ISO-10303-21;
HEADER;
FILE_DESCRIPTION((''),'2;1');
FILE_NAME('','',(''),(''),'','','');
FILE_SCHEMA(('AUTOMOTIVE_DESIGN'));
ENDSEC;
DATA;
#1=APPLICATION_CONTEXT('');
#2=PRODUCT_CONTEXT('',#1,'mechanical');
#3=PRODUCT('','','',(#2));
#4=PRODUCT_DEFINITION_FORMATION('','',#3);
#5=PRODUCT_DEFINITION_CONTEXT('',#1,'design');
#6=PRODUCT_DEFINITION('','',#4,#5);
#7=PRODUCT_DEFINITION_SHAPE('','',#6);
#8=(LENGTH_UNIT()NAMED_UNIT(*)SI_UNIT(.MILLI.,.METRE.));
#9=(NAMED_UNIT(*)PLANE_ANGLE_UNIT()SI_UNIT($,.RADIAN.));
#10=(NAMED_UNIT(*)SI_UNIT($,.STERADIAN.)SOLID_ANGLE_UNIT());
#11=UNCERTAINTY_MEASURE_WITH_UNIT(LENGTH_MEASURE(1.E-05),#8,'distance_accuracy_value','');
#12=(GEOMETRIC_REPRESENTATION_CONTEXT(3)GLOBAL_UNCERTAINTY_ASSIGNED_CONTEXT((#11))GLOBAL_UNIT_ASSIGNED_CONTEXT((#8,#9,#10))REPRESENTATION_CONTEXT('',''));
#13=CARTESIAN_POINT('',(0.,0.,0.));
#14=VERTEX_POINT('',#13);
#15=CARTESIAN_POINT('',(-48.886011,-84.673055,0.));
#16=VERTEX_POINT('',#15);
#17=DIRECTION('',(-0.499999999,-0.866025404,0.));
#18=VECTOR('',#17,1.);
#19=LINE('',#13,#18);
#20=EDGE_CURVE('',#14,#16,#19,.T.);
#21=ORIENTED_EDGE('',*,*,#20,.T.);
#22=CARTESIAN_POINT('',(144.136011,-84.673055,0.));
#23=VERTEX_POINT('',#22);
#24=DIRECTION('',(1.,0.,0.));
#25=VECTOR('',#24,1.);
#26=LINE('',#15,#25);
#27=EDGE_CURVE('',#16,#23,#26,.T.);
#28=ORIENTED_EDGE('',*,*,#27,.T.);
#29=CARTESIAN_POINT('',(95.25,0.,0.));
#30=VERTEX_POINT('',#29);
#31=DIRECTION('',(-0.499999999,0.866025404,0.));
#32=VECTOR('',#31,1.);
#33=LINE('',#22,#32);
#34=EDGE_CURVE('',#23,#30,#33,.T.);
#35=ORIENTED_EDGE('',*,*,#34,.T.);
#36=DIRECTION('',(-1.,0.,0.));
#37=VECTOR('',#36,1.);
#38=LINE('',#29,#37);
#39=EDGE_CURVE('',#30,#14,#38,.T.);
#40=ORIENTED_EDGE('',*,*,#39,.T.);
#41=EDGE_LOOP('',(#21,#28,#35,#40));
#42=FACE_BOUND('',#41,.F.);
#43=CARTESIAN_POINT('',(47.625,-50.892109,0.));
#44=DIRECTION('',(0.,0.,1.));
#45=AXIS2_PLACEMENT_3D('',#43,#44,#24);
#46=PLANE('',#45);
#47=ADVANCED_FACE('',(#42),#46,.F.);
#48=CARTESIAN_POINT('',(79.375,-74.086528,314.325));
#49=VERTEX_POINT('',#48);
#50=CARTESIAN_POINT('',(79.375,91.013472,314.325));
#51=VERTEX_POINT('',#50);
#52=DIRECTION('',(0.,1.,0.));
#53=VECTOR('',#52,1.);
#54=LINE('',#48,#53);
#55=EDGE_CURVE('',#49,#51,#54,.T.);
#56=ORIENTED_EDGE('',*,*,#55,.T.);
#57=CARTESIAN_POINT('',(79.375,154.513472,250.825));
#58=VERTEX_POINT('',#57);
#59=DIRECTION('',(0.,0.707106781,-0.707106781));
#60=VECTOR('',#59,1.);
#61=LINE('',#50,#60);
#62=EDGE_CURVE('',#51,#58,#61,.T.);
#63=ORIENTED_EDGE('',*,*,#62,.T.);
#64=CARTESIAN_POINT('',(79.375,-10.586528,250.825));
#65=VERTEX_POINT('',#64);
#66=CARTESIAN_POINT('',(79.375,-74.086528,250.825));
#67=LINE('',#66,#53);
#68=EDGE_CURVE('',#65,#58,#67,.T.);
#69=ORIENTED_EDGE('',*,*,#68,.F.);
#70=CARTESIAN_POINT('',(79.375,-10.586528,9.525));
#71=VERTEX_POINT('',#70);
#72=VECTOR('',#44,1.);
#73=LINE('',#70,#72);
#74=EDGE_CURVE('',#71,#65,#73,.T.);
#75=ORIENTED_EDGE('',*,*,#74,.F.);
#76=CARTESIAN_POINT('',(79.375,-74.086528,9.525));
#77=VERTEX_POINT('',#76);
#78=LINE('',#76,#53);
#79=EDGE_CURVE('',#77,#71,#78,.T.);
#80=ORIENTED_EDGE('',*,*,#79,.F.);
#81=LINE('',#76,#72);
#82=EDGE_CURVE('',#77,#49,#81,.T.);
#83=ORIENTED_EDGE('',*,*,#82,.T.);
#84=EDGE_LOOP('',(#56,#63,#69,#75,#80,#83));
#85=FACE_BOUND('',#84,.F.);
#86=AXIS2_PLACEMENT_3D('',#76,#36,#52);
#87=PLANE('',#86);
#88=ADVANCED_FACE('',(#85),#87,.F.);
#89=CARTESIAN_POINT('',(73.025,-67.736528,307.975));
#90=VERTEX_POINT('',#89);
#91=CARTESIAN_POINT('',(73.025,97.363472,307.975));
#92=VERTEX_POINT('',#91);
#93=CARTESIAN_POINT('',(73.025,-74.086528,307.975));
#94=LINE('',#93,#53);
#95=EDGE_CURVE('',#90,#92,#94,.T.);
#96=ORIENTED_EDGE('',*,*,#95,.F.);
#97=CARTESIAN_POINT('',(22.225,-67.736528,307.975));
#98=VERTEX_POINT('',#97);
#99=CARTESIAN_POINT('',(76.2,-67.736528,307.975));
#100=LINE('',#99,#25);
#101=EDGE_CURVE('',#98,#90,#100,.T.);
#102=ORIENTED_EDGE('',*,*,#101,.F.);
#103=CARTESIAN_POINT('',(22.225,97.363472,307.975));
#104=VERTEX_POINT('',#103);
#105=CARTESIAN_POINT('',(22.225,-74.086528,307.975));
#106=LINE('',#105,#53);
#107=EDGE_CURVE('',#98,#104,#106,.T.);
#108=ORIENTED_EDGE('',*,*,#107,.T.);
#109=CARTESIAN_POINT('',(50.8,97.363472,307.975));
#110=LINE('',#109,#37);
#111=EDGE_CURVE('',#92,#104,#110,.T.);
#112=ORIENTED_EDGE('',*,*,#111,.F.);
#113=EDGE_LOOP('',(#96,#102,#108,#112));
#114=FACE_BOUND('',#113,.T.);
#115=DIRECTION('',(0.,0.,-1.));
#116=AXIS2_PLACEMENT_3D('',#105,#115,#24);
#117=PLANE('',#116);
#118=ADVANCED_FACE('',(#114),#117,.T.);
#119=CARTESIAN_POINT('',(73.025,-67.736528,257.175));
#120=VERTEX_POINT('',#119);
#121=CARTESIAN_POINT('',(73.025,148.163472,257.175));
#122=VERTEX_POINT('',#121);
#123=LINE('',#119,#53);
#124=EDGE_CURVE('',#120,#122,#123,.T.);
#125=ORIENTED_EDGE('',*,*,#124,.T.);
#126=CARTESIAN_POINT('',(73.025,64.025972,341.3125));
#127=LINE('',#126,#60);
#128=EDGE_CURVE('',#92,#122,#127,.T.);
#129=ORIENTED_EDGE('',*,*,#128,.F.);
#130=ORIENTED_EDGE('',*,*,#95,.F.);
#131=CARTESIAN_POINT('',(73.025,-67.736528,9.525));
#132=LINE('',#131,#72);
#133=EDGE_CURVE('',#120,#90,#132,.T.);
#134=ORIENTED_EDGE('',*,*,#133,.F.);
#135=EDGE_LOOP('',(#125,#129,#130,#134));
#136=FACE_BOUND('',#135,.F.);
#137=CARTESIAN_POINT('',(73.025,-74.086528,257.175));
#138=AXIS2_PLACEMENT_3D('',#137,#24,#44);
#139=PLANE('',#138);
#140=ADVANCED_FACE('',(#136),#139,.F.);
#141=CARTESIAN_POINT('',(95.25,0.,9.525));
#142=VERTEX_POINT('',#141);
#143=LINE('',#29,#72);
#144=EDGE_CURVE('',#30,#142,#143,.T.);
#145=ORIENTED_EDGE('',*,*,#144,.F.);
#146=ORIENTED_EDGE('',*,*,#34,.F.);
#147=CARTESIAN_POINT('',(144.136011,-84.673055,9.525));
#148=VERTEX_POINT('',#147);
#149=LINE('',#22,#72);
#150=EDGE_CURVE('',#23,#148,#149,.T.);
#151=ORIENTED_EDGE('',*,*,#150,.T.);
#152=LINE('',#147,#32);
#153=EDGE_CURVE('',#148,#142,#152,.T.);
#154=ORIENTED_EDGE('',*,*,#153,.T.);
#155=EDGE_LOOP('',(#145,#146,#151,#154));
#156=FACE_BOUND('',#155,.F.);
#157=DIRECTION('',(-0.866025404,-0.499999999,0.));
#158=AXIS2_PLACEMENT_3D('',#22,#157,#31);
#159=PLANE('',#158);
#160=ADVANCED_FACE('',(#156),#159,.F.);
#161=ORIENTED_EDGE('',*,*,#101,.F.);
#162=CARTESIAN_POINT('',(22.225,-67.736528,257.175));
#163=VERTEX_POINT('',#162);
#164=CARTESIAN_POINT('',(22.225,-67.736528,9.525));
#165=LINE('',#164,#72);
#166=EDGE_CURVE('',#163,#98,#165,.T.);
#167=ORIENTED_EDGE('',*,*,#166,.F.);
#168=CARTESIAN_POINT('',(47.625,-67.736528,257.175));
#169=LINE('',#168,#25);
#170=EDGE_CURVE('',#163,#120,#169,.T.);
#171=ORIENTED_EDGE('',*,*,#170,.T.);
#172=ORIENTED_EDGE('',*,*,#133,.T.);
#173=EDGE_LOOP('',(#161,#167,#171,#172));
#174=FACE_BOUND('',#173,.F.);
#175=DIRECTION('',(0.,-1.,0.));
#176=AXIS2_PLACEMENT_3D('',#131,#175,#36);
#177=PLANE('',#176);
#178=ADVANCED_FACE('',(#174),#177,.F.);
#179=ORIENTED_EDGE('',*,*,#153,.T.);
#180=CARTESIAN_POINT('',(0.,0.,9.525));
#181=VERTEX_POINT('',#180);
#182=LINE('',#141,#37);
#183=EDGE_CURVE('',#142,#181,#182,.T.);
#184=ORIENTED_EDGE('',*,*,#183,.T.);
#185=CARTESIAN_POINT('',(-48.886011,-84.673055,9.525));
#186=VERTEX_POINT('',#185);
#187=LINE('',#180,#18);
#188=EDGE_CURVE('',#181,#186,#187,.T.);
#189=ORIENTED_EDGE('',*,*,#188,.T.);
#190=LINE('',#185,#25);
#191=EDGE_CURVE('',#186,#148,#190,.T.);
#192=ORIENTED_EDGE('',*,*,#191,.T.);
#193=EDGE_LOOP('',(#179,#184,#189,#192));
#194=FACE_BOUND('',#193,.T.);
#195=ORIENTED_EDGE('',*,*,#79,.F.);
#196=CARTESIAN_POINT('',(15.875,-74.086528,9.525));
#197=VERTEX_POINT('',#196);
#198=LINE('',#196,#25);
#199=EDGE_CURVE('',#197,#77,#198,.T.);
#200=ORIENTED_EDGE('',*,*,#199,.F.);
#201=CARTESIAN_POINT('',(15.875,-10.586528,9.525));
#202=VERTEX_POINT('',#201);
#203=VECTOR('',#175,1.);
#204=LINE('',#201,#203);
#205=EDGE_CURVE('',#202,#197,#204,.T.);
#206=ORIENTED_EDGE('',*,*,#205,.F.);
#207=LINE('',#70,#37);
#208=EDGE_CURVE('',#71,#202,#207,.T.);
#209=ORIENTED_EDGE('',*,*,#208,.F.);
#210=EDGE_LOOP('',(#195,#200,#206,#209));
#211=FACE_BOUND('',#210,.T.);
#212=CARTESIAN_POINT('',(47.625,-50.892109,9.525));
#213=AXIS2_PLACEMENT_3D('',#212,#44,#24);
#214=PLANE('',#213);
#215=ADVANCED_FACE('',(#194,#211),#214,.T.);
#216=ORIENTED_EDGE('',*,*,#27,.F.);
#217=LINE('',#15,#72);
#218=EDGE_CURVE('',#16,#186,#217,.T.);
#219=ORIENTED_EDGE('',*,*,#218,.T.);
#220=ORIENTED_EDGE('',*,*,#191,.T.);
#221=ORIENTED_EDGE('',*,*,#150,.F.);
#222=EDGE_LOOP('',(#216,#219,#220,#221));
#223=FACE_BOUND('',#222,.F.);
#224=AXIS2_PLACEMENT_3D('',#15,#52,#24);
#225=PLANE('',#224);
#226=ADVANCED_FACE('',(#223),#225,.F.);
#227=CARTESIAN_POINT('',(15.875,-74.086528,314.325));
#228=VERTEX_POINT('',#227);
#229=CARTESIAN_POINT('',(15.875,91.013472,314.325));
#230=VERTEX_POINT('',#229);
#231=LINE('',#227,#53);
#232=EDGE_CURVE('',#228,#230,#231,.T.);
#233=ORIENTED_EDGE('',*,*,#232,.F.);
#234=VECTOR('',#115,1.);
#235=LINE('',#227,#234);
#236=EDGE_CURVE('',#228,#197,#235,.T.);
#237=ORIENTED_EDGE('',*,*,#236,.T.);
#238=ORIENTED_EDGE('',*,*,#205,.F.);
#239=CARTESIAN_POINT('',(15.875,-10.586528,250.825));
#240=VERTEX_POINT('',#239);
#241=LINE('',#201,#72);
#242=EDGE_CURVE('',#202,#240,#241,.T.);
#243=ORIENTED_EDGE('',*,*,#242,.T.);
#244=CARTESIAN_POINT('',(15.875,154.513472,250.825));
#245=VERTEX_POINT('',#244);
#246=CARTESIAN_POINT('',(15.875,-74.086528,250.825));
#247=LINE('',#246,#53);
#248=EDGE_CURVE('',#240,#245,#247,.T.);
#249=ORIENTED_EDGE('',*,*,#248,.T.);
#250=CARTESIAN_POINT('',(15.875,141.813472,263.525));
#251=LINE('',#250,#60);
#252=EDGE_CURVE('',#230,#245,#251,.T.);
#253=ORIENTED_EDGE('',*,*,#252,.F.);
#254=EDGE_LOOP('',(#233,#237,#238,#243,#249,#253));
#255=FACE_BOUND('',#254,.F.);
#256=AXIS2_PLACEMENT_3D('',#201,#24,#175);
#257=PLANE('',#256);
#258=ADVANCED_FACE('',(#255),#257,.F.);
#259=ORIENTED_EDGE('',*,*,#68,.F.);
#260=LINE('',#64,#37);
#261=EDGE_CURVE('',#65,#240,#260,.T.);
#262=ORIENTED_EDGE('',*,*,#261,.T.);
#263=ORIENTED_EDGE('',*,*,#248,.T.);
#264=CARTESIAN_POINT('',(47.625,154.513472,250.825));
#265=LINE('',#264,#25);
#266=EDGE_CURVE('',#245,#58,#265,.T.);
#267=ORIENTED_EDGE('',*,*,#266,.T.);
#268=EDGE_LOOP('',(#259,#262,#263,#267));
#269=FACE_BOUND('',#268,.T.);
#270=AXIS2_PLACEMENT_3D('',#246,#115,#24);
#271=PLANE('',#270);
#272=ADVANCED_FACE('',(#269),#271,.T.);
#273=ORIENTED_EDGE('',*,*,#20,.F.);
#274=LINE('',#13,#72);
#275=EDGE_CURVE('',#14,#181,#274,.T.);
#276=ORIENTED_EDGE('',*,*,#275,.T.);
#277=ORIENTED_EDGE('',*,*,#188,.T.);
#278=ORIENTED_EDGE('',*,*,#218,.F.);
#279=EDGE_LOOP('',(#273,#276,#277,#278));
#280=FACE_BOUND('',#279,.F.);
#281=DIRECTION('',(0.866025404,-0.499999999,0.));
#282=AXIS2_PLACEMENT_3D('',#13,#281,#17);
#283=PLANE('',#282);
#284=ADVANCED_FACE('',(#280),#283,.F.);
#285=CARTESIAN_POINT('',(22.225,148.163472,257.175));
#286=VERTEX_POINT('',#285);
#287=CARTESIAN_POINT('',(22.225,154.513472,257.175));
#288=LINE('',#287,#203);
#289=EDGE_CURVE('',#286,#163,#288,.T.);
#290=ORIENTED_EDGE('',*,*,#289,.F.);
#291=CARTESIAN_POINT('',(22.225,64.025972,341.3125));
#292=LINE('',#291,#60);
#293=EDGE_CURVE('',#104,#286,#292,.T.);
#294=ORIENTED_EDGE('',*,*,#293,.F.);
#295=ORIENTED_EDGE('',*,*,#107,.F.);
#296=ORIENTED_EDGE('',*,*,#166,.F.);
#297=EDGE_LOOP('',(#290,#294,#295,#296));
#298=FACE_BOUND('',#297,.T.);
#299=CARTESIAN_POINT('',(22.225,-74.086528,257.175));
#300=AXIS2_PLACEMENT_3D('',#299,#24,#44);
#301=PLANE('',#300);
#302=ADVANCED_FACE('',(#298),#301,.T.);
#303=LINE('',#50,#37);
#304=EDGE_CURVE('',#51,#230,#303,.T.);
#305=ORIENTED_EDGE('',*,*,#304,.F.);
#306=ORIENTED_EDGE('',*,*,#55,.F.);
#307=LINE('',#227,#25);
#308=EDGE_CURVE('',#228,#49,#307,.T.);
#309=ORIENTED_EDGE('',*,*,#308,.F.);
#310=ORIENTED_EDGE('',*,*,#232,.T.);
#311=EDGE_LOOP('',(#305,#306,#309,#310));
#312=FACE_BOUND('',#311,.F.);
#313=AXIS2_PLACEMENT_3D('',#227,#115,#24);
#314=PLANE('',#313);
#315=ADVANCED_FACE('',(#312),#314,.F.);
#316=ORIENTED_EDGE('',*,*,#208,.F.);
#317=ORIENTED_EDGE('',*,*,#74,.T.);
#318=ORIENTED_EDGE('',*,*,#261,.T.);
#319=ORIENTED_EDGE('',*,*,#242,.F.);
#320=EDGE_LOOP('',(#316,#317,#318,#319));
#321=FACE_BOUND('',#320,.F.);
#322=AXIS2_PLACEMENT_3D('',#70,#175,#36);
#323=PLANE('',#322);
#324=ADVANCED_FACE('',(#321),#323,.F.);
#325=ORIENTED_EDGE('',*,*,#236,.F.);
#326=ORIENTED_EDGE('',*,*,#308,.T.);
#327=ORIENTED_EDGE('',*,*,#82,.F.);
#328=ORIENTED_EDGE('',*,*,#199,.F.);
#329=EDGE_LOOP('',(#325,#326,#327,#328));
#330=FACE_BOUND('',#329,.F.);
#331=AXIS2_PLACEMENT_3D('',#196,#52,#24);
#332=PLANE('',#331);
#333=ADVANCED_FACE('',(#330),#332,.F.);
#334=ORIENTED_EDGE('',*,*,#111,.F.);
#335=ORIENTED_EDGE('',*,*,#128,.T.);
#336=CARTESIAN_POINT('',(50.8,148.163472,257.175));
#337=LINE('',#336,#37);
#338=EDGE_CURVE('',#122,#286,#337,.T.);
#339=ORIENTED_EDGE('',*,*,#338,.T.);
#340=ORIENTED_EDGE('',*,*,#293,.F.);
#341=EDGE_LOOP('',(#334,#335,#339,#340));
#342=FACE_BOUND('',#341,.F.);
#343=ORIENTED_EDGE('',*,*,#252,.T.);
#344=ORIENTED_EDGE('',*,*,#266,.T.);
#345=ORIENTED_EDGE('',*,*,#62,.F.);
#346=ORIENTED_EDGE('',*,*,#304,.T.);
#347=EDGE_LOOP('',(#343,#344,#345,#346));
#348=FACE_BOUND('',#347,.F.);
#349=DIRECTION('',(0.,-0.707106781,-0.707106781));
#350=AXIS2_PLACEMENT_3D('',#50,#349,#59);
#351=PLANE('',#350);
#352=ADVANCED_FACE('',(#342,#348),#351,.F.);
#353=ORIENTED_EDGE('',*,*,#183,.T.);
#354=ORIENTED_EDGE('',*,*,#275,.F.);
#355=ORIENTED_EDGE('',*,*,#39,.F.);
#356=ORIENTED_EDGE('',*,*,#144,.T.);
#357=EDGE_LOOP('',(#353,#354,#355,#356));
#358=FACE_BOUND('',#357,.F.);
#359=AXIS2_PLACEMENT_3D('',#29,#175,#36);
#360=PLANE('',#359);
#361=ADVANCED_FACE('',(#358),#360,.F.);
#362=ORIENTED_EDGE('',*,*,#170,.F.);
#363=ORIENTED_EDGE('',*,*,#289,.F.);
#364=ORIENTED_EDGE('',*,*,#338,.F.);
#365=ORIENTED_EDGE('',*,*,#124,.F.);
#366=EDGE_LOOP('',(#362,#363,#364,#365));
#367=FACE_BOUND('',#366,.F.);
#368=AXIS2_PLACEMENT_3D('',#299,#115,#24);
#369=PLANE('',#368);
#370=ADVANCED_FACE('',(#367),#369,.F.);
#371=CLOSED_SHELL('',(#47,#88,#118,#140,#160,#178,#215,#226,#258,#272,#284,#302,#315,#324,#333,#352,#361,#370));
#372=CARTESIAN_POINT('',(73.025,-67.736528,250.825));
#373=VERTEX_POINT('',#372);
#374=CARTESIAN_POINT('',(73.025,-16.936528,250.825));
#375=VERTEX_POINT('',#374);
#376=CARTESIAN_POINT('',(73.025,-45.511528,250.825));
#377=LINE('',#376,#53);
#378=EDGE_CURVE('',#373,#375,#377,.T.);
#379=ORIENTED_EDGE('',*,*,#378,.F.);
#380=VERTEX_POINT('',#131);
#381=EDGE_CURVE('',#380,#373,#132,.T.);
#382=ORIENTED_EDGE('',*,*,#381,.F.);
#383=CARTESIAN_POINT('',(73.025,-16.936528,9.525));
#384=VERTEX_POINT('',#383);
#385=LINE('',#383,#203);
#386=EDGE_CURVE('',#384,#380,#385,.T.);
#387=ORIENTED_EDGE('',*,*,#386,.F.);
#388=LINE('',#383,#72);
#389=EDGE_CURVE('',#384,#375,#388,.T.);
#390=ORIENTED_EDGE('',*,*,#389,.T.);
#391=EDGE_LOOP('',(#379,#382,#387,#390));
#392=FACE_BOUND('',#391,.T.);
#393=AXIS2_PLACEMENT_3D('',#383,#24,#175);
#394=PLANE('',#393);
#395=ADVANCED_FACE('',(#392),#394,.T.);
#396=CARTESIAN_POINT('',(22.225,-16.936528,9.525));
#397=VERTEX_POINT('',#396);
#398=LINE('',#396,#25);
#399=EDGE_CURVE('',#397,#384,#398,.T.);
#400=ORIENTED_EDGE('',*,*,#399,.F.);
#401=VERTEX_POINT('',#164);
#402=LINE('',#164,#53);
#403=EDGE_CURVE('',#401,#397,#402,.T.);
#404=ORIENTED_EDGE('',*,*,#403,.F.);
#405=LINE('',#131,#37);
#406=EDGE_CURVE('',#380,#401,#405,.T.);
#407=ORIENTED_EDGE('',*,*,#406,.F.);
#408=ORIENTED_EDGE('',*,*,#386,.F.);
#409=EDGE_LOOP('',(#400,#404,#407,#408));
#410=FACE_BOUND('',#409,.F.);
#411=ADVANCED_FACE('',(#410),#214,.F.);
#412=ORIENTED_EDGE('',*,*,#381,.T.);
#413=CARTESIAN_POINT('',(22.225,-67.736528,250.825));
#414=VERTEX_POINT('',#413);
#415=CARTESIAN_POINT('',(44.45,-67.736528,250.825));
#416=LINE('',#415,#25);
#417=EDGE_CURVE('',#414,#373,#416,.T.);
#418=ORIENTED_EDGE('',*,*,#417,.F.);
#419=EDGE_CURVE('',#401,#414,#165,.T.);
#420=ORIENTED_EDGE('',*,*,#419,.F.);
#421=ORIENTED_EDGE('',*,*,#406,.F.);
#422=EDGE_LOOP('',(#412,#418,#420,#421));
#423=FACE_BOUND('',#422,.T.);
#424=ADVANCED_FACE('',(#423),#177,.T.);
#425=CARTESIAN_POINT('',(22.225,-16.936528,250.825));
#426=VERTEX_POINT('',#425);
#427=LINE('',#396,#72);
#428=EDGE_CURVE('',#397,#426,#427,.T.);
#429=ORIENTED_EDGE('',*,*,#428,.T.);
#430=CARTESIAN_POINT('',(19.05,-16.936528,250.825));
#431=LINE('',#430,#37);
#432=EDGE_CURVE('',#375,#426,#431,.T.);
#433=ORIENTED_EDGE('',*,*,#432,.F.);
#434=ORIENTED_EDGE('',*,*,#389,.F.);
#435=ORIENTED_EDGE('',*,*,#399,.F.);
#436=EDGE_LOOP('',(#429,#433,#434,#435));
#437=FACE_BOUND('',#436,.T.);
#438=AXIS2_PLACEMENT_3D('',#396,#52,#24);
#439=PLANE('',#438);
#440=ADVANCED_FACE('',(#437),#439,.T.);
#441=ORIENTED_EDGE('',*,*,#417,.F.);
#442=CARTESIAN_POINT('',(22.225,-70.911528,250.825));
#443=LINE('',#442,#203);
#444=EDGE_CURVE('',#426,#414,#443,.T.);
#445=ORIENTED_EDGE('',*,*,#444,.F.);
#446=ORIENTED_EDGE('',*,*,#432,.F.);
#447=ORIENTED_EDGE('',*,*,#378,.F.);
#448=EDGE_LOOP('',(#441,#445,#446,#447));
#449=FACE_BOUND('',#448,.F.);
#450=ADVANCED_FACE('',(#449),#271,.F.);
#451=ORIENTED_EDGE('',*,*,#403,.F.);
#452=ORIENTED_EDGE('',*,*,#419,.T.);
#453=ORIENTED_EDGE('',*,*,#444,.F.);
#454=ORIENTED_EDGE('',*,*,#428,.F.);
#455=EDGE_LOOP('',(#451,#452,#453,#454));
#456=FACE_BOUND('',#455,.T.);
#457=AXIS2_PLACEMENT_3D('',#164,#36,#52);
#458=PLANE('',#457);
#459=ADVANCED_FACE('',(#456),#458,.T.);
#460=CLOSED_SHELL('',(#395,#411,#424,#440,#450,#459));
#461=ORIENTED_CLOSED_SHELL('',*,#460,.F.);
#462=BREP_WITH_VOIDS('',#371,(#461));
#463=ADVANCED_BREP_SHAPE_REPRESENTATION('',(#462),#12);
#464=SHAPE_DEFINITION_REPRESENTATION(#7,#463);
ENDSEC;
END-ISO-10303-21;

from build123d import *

# Parameters (mm, degrees)
F2_DEPTH  = 9.525
F4_DEPTH  = 304.8
F6_DEPTH  = 63.5
F8_W      = 63.5
F8_H      = 63.5
F8_W_2    = 50.8
F8_H_2    = 50.8
F9_DEPTH  = 228.6
F11_DEPTH = 128.262011


with BuildPart() as f2:
    # F1 (on face) → F2 (new body)
    with BuildSketch(Plane.XY):
        Polygon((-48.886011, -84.673055), (144.136011, -84.673055), (95.25, 0), (0, 0), align=None)
    extrude(amount=F2_DEPTH)

    # F3 (on face) → F4 (join)
    with BuildSketch(Plane.XY.offset(9.525)):
        Polygon((79.375, -10.586528), (47.625, -10.586528), (47.625, -16.936528), (73.025, -16.936528), (73.025, -67.736528), (47.625, -67.736528), (47.625, -74.086528), (79.375, -74.086528), align=None)
        Polygon((47.625, -16.936528), (47.625, -10.586528), (15.875, -10.586528), (15.875, -74.086528), (47.625, -74.086528), (47.625, -67.736528), (22.225, -67.736528), (22.225, -16.936528), align=None)
    extrude(amount=F4_DEPTH)

    # F5 (on face) → F6 (cut)
    with BuildSketch(Plane.YZ.offset(79.375)):
        Polygon((-10.586528, 314.325), (-74.086528, 314.325), (-10.586528, 250.825), align=None)
    extrude(amount=-F6_DEPTH, mode=Mode.SUBTRACT)

    # F8 (on face) → F9 (join)
    with BuildSketch(Plane.XZ.offset(74.086528)):
        with Locations((47.625, 282.575)):
            Rectangle(F8_W, F8_H)
        with Locations((47.625, 282.575)):
            Rectangle(F8_W_2, F8_H_2, mode=Mode.SUBTRACT)
    extrude(amount=-F9_DEPTH)

    # F10 (on face) → F11 (cut, through all)
    with BuildSketch(Plane.YZ.offset(79.375)):
        Polygon((91.013472, 314.325), (154.513472, 250.825), (154.513472, 314.325), align=None)
    extrude(amount=-F11_DEPTH, mode=Mode.SUBTRACT)


solid = f2.part
